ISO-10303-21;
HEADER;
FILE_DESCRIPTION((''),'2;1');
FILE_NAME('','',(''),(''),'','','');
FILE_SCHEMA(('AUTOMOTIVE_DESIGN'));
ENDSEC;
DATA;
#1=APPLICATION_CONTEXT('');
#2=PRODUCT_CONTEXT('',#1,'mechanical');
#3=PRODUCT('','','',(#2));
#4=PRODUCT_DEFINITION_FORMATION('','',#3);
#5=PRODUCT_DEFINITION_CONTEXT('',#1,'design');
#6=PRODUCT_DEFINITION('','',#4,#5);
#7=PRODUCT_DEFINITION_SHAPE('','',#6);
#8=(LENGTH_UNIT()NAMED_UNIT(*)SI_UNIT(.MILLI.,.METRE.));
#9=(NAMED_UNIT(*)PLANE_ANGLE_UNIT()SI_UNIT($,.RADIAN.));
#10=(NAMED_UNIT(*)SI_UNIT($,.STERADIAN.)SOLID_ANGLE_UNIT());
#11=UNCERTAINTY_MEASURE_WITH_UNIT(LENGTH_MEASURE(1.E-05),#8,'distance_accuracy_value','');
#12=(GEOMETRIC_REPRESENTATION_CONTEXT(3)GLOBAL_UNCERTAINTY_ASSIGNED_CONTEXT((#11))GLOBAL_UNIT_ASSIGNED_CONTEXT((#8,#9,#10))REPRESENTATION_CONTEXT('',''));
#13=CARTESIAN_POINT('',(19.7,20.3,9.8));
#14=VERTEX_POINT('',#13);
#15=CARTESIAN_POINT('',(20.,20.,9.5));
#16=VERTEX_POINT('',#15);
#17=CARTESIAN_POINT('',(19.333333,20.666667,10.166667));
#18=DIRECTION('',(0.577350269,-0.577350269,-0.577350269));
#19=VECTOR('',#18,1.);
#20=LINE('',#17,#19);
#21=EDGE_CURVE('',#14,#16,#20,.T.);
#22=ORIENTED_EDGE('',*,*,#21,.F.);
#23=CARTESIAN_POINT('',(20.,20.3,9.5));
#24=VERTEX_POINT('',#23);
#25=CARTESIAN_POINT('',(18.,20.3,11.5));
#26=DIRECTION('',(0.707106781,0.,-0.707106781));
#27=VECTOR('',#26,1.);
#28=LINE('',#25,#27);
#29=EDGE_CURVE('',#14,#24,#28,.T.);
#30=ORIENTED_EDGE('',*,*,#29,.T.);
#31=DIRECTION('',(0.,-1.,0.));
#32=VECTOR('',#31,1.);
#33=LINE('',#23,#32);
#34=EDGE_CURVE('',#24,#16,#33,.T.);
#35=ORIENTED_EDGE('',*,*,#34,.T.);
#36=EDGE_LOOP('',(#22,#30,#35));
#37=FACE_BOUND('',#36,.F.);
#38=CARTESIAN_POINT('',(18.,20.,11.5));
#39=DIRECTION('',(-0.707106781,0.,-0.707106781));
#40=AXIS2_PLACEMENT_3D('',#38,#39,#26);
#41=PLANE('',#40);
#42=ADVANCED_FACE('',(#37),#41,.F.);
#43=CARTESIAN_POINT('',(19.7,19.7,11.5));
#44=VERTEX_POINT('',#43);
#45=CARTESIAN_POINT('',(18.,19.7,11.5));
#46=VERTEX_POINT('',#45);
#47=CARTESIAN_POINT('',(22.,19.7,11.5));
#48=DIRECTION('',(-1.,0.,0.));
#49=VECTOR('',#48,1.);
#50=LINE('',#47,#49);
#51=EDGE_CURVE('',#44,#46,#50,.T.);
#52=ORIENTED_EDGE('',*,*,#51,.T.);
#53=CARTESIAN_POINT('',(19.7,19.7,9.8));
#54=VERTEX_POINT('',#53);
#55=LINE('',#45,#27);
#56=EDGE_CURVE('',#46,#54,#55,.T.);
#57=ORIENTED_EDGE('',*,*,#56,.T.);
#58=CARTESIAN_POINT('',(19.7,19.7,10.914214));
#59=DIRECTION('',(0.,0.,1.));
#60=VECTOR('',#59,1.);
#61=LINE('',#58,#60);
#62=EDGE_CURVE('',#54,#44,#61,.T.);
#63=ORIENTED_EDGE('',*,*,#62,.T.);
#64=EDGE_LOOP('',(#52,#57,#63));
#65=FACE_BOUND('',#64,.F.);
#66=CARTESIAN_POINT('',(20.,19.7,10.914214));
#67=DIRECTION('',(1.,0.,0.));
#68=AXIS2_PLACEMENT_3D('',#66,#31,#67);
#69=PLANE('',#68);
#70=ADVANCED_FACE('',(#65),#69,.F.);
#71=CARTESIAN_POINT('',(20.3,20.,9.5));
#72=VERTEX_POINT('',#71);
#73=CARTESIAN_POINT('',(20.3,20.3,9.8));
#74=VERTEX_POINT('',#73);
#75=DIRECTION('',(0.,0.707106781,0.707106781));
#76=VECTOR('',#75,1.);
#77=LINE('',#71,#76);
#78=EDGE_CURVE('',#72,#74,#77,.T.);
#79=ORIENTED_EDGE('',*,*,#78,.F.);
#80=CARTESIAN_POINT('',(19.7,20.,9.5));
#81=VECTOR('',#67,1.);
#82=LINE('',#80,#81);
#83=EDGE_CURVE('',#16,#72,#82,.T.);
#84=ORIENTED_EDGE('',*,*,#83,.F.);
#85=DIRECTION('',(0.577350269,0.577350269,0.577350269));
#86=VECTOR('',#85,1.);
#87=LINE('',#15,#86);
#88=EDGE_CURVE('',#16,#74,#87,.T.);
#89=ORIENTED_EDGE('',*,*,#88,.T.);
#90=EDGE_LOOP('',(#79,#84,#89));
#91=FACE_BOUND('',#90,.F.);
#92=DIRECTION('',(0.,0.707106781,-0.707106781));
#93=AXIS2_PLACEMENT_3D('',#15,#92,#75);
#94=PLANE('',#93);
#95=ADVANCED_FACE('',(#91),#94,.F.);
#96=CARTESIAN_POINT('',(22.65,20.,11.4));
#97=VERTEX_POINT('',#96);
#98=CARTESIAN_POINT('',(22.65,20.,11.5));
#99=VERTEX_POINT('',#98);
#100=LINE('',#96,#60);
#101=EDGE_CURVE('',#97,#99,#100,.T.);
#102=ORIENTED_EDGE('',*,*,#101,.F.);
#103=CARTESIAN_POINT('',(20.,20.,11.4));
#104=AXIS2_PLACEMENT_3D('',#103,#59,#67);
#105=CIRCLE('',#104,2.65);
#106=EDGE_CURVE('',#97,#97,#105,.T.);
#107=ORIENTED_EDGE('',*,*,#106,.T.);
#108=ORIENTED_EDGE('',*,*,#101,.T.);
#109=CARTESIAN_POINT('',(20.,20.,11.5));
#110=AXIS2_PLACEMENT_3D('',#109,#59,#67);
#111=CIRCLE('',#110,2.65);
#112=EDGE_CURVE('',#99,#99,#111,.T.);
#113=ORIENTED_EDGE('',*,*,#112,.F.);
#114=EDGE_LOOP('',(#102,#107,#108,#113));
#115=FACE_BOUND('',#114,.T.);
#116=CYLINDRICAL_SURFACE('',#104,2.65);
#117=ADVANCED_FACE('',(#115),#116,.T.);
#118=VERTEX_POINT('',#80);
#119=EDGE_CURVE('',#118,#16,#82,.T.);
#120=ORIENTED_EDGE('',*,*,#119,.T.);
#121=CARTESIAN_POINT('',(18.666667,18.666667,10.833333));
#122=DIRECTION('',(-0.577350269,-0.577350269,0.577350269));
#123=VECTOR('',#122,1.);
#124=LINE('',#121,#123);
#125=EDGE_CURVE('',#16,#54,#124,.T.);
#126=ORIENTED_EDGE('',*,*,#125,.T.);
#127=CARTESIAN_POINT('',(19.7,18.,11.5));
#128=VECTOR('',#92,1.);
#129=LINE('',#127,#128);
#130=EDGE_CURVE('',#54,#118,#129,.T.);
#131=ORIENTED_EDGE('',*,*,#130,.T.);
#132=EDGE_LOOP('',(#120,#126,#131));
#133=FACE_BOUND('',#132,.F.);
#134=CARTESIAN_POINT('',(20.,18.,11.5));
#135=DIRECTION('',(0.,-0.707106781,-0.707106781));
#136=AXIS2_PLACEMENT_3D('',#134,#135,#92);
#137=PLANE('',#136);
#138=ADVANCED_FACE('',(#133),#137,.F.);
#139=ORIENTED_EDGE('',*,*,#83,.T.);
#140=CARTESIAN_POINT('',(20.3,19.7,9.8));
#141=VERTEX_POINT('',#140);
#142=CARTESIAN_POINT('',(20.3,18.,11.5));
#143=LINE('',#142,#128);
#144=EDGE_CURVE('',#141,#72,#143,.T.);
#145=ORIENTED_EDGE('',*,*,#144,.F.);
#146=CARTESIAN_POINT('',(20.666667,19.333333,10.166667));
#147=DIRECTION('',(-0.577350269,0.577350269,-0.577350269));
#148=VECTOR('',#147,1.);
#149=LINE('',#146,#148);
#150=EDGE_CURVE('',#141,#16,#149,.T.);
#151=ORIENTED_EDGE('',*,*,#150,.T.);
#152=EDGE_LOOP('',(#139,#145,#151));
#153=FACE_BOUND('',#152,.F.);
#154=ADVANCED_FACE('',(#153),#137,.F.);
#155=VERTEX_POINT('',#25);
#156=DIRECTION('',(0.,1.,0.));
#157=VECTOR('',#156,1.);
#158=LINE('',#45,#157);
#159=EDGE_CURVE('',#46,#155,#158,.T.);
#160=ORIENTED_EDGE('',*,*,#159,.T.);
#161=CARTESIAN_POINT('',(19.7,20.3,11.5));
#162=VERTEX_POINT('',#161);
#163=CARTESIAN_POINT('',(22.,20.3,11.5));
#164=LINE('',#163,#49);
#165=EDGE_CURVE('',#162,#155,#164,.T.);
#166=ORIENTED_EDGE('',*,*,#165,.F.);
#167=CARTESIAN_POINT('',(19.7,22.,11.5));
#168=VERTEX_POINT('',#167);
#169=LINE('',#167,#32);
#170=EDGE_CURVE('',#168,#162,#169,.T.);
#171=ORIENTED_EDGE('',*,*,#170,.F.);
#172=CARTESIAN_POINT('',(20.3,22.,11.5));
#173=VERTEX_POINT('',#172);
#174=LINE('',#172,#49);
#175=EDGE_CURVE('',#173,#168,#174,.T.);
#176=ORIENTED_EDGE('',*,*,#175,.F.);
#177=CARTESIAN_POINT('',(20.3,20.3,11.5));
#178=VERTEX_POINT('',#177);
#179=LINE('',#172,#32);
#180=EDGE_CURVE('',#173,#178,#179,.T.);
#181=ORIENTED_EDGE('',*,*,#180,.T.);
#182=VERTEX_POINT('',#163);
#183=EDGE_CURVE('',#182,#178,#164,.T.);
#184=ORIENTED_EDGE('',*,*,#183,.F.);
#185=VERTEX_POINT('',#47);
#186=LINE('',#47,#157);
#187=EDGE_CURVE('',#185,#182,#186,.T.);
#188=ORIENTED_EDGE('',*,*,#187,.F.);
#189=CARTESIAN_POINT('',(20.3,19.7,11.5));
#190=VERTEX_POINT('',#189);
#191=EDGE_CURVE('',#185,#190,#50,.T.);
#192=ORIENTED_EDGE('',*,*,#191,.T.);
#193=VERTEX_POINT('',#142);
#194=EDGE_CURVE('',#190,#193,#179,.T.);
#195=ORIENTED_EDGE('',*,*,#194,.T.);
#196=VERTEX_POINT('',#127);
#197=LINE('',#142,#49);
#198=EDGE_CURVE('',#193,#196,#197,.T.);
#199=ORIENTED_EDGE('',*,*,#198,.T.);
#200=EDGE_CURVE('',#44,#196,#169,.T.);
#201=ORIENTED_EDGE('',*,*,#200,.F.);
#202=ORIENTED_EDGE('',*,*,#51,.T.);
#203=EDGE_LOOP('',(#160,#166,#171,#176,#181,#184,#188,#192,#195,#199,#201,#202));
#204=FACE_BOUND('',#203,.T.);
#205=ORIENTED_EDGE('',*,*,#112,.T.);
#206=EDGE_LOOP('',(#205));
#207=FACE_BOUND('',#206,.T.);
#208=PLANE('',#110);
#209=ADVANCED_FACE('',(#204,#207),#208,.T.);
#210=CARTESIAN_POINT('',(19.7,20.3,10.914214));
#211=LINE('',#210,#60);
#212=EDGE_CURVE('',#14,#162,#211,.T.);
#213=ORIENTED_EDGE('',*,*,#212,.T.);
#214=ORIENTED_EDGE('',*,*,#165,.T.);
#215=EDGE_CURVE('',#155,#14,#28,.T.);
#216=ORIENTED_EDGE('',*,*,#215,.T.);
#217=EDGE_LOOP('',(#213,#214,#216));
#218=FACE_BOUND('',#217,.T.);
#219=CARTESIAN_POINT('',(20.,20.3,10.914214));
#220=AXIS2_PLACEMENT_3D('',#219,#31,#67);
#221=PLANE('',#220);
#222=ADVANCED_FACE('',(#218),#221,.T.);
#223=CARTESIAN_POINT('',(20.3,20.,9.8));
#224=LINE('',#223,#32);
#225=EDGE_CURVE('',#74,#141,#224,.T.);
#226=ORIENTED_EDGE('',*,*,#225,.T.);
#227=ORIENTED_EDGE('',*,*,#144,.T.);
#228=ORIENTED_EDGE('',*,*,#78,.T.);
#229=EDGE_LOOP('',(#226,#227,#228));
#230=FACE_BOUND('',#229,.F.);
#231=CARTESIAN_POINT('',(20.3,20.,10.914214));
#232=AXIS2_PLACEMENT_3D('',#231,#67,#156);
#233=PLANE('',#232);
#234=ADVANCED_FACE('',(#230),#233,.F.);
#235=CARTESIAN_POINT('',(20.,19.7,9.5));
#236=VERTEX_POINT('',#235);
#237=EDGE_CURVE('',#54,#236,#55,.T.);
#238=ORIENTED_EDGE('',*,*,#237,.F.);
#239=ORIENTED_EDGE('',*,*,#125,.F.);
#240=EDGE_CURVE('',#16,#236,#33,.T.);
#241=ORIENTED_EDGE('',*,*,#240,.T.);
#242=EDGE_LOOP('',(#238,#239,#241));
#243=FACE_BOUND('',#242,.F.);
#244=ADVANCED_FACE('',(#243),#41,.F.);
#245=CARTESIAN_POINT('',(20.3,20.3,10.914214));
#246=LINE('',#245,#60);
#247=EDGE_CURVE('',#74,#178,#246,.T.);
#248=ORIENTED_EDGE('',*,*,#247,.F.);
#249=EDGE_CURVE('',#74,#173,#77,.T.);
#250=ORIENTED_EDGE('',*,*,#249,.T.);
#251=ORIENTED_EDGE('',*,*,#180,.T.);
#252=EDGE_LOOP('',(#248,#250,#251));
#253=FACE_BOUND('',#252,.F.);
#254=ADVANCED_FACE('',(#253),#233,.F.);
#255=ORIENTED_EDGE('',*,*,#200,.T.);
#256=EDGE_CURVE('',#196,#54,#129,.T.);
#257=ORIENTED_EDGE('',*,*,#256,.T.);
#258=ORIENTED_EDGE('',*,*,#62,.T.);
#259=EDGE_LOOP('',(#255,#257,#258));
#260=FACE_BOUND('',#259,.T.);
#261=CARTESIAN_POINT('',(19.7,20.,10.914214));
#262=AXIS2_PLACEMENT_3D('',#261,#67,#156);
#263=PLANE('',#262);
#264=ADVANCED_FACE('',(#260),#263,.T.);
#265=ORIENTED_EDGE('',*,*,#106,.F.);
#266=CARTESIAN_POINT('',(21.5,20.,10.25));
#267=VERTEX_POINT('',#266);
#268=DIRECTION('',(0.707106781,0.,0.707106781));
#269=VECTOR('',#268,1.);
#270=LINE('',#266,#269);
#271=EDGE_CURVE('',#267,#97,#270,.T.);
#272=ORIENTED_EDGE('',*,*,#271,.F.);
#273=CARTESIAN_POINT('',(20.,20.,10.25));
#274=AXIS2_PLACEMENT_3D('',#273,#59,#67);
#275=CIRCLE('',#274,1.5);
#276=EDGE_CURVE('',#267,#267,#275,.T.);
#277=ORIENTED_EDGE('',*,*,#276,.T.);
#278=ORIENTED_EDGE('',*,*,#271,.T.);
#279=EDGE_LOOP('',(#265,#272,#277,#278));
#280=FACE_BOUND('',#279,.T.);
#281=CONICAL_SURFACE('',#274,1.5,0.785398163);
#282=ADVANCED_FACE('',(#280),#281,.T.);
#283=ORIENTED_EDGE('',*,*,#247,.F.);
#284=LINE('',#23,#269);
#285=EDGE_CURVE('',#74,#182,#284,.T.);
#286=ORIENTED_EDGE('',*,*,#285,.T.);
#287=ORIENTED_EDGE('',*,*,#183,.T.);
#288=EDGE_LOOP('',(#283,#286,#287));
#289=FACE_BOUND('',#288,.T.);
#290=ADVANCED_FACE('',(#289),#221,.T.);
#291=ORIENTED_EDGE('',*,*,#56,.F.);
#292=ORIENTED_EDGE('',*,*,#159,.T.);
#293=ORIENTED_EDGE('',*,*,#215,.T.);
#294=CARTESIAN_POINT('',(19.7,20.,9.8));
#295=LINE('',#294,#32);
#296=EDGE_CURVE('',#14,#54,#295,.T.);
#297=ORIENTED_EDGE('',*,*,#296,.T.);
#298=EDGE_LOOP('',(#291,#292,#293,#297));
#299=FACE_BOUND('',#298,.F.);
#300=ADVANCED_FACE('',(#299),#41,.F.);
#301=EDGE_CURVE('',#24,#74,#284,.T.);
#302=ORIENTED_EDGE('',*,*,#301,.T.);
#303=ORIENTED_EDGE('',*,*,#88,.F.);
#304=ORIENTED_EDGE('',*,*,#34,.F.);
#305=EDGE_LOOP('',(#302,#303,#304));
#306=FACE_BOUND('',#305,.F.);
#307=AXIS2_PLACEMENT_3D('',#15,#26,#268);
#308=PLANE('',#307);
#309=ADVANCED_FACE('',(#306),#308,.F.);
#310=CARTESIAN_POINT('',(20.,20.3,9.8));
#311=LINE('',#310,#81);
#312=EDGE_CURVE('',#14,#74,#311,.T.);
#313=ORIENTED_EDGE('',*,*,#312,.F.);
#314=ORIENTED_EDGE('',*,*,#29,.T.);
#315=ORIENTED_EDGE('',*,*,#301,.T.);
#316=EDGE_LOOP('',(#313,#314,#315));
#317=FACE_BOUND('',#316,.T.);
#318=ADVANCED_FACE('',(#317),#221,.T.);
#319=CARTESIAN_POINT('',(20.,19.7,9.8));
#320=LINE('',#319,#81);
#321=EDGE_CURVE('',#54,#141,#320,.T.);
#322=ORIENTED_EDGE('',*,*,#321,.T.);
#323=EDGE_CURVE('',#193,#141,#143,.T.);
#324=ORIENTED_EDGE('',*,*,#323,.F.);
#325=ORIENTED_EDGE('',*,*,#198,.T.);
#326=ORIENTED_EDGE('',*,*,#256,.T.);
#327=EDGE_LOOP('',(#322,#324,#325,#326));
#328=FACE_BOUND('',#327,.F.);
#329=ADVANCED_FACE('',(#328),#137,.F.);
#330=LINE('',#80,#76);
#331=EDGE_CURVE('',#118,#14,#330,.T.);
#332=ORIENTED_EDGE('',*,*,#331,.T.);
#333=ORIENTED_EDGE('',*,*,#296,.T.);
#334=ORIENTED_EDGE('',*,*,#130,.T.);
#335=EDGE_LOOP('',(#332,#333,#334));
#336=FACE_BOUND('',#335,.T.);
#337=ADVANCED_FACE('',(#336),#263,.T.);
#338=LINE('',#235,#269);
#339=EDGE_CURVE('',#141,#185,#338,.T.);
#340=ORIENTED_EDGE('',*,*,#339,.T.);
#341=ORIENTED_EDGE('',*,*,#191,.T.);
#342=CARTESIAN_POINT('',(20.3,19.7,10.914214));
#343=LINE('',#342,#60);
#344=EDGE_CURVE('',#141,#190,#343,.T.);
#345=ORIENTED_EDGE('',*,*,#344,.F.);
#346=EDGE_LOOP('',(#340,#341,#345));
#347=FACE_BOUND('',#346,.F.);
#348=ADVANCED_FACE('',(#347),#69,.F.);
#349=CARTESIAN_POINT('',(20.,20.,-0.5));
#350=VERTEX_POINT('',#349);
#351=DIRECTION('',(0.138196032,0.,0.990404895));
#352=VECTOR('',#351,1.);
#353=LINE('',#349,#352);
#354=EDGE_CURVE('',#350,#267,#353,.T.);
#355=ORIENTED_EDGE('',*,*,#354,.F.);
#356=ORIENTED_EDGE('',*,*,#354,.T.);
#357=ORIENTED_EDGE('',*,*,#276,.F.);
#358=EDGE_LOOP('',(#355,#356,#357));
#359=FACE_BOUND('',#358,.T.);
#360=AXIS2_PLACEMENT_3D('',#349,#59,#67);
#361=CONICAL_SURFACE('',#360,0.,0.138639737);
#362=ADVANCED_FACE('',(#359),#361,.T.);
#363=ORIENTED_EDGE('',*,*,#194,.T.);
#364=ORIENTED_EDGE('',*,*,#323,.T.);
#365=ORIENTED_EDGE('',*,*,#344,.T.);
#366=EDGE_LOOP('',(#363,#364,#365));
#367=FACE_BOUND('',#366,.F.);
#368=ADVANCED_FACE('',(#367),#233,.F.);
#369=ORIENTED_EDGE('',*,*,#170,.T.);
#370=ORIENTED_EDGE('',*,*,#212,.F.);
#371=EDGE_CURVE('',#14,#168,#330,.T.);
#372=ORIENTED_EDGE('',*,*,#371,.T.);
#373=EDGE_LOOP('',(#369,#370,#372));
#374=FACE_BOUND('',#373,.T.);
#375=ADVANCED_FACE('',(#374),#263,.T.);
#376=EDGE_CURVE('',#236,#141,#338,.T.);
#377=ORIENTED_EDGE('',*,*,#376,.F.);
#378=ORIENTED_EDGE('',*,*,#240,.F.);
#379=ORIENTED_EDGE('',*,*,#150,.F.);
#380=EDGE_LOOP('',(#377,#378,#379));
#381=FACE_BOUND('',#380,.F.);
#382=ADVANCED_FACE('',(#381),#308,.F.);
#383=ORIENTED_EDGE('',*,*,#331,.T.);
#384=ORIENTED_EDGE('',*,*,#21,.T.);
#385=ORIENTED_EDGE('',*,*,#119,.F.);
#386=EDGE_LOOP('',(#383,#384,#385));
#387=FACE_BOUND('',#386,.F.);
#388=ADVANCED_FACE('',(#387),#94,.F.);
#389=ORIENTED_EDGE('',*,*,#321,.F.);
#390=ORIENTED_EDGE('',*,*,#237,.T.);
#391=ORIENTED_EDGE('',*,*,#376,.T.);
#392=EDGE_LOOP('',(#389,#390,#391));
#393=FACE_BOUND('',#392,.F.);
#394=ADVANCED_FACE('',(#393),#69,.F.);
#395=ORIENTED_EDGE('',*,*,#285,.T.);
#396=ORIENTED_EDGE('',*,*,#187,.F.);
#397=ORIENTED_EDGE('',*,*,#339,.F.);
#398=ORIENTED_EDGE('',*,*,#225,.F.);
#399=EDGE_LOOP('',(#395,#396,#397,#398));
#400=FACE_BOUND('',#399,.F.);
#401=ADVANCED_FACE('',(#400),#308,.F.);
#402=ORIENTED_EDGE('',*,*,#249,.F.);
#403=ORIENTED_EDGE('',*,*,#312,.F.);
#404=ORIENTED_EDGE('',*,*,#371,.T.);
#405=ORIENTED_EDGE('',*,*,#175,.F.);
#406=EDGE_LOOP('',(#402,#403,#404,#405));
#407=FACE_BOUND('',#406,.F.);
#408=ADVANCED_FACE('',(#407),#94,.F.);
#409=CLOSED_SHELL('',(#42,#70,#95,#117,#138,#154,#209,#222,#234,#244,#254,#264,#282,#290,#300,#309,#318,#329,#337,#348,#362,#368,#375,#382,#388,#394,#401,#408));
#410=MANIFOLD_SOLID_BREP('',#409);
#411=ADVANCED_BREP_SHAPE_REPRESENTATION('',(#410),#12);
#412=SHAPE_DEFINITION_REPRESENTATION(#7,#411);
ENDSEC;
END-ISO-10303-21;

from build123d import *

# Parameters (mm, degrees)
POCKET001_DEPTH    = 0.3
POLARPATTERN_COUNT = 2
POLARPATTERN_ANGLE = 90


with BuildPart() as part:
    # Sketch013 → Revolution (revolve)
    with BuildSketch(Plane.XZ):
        Polygon((0, 0), (0, -12), (1.5, -1.25), (2.65, -0.1), (2.65, 0), align=None)
    revolve(axis=Axis((0, 0, 0), (0, 0, 1)))

    # Sketch014 → Pocket001 (cut, symmetric)
    with BuildSketch(Plane.XZ):
        Polygon((-2, 0), (0, -2), (2, 0), align=None)
    pocket001 = extrude(amount=POCKET001_DEPTH, both=True, mode=Mode.SUBTRACT)

    # PolarPattern: Pocket001 ×2 about axis
    polarpattern_axis = Axis((0, 0, 0), (0, 0, 1))
    for i in range(1, POLARPATTERN_COUNT):
        add(pocket001.rotate(polarpattern_axis, i * POLARPATTERN_ANGLE / (POLARPATTERN_COUNT - 1)), mode=Mode.SUBTRACT)


with BuildPart() as part_1:
    # Body011 placement: moved
    add(part.part.moved(Location((20, 20, 11.5))))


solid = part_1.part
